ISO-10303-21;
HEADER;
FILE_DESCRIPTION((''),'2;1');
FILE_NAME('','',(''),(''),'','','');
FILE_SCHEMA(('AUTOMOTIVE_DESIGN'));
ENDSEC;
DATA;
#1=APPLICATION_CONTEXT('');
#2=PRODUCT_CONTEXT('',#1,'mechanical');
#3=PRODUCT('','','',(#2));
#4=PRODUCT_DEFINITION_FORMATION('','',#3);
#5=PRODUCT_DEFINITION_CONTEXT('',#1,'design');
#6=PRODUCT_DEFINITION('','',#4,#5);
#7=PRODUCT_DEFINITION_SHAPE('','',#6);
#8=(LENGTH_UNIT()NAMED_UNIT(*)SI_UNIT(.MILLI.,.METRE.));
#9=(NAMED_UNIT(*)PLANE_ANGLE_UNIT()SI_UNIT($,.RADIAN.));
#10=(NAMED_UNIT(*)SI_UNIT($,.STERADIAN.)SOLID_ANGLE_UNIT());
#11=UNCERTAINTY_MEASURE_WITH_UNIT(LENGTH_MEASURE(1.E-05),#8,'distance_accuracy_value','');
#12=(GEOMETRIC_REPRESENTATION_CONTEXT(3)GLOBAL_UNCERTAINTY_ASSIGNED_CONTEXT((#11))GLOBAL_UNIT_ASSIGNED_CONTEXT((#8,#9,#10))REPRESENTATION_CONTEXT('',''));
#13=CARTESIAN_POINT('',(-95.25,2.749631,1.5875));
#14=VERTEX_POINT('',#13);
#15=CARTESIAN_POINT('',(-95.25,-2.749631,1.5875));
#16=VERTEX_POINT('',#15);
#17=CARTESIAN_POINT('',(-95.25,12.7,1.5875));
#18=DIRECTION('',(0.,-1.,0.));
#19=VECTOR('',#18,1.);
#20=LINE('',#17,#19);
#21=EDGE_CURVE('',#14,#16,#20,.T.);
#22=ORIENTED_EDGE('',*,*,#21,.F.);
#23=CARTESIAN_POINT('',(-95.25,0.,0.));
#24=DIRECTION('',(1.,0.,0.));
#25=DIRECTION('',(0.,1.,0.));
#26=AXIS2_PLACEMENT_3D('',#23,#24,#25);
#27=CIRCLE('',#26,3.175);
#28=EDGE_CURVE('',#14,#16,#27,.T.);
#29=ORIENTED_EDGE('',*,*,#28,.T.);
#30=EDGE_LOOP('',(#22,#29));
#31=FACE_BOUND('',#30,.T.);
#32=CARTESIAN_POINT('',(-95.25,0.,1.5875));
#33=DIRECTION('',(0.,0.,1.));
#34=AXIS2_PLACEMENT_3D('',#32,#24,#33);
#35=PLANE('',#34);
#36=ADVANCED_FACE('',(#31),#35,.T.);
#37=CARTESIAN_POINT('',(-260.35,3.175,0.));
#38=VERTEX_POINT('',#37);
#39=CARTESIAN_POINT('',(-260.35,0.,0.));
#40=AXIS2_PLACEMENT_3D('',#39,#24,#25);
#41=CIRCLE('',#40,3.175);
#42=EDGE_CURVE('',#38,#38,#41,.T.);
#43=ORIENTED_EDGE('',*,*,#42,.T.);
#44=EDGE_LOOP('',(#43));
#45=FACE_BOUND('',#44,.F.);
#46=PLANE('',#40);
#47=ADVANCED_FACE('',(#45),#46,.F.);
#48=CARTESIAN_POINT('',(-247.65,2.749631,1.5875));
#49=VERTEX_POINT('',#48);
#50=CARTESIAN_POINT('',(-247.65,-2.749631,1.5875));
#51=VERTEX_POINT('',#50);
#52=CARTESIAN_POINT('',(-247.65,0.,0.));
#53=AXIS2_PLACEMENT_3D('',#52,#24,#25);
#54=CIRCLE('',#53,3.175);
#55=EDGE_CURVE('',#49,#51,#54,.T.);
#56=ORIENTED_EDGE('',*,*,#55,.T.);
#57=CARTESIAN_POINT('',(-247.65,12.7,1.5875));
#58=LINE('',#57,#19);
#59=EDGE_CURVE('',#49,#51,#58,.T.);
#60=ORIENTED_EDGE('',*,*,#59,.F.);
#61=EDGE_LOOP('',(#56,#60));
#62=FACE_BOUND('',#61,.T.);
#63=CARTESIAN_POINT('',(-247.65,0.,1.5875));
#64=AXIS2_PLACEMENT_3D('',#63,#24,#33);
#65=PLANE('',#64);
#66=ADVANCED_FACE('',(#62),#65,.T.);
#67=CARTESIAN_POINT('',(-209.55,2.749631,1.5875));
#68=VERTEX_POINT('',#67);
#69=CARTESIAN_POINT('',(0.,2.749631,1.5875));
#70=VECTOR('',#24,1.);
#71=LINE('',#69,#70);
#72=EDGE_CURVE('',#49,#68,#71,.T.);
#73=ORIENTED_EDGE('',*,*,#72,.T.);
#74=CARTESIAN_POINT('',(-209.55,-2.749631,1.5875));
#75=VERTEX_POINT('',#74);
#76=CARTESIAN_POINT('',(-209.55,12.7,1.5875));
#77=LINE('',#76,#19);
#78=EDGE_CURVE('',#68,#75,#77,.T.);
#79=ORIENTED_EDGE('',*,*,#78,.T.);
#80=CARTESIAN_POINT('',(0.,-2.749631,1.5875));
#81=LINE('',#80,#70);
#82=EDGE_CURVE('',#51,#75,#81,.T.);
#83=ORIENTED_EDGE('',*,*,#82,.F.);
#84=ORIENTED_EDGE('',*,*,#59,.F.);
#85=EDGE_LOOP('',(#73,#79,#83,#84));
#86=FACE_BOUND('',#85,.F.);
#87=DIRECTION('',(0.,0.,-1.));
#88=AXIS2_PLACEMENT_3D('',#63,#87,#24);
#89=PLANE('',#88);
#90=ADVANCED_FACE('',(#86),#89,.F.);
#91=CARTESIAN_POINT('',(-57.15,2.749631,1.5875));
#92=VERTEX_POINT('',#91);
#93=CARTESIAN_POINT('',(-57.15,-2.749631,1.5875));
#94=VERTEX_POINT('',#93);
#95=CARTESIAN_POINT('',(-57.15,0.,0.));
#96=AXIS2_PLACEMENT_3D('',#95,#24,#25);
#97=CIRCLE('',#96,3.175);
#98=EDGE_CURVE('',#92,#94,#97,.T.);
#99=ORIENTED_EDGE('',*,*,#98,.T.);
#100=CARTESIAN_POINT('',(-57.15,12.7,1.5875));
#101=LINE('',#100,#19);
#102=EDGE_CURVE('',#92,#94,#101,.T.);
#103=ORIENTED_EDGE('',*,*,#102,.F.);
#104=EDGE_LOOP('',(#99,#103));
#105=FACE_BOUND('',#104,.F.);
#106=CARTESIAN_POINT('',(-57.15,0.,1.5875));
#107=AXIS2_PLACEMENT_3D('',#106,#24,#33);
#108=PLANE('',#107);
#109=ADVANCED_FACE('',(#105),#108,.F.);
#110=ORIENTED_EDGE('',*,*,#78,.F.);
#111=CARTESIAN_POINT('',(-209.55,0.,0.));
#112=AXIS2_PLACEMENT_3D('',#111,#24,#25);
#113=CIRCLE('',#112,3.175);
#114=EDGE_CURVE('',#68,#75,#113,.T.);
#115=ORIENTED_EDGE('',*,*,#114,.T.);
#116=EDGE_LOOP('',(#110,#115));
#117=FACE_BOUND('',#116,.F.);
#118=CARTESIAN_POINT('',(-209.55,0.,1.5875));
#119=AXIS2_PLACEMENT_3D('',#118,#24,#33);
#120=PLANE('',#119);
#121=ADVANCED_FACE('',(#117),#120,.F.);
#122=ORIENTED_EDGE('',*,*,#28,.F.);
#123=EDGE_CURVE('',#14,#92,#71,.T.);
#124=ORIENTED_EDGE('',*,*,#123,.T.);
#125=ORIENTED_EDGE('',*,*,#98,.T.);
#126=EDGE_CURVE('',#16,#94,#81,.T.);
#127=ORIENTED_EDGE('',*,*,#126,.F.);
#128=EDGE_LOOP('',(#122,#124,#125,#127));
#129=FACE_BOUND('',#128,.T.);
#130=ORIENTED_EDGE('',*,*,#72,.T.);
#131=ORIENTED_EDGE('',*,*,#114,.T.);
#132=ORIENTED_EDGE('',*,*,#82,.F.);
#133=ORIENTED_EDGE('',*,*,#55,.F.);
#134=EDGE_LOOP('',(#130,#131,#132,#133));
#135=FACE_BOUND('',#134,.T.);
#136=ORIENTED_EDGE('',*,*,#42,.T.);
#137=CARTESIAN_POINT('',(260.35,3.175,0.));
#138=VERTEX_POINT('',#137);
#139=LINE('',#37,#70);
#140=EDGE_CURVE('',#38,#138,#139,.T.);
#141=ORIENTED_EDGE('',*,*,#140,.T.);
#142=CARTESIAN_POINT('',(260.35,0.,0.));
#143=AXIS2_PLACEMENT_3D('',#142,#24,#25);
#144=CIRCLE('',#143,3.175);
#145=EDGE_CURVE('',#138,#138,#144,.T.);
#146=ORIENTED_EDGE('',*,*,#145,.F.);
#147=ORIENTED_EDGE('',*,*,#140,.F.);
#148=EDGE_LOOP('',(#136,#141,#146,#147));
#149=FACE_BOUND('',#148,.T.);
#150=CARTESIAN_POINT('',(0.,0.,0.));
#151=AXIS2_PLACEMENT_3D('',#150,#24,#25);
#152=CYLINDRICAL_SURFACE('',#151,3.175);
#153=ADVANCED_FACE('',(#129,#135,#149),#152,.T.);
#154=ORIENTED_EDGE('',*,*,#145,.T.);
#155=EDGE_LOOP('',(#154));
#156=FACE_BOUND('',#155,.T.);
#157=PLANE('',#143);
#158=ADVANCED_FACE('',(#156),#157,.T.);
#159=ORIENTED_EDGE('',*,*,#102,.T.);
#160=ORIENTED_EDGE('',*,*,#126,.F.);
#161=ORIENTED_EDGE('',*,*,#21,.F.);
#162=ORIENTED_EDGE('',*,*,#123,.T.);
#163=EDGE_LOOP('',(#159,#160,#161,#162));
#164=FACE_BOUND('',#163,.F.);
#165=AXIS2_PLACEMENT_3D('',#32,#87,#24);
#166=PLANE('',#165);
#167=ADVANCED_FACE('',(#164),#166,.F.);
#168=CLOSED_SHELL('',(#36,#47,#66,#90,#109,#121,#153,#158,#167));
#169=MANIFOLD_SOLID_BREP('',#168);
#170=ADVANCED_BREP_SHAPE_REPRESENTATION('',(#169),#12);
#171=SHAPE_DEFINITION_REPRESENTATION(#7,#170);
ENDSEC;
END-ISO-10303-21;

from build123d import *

# Parameters (mm, degrees)
F0_R     = 3.175
F1_DEPTH = 260.35
F2_W     = 38.1
F2_H     = 5.08
F3_DEPTH = 12.7
F4_W     = 38.1
F4_H     = 5.08
F5_DEPTH = 12.7


with BuildPart() as f1:
    # F0 (on Right) → F1 (new body, symmetric)
    with BuildSketch(Plane.YZ):
        Circle(F0_R)
    extrude(amount=F1_DEPTH, both=True)

    # F2 (on Front) → F3 (cut, symmetric)
    with BuildSketch(Plane.XZ):
        with Locations((-228.6, 4.1275)):
            Rectangle(F2_W, F2_H)
    extrude(amount=F3_DEPTH, both=True, mode=Mode.SUBTRACT)

    # F4 (on Front) → F5 (cut, symmetric)
    with BuildSketch(Plane.XZ):
        with Locations((-76.2, 4.1275)):
            Rectangle(F4_W, F4_H)
    extrude(amount=F5_DEPTH, both=True, mode=Mode.SUBTRACT)


solid = f1.part
